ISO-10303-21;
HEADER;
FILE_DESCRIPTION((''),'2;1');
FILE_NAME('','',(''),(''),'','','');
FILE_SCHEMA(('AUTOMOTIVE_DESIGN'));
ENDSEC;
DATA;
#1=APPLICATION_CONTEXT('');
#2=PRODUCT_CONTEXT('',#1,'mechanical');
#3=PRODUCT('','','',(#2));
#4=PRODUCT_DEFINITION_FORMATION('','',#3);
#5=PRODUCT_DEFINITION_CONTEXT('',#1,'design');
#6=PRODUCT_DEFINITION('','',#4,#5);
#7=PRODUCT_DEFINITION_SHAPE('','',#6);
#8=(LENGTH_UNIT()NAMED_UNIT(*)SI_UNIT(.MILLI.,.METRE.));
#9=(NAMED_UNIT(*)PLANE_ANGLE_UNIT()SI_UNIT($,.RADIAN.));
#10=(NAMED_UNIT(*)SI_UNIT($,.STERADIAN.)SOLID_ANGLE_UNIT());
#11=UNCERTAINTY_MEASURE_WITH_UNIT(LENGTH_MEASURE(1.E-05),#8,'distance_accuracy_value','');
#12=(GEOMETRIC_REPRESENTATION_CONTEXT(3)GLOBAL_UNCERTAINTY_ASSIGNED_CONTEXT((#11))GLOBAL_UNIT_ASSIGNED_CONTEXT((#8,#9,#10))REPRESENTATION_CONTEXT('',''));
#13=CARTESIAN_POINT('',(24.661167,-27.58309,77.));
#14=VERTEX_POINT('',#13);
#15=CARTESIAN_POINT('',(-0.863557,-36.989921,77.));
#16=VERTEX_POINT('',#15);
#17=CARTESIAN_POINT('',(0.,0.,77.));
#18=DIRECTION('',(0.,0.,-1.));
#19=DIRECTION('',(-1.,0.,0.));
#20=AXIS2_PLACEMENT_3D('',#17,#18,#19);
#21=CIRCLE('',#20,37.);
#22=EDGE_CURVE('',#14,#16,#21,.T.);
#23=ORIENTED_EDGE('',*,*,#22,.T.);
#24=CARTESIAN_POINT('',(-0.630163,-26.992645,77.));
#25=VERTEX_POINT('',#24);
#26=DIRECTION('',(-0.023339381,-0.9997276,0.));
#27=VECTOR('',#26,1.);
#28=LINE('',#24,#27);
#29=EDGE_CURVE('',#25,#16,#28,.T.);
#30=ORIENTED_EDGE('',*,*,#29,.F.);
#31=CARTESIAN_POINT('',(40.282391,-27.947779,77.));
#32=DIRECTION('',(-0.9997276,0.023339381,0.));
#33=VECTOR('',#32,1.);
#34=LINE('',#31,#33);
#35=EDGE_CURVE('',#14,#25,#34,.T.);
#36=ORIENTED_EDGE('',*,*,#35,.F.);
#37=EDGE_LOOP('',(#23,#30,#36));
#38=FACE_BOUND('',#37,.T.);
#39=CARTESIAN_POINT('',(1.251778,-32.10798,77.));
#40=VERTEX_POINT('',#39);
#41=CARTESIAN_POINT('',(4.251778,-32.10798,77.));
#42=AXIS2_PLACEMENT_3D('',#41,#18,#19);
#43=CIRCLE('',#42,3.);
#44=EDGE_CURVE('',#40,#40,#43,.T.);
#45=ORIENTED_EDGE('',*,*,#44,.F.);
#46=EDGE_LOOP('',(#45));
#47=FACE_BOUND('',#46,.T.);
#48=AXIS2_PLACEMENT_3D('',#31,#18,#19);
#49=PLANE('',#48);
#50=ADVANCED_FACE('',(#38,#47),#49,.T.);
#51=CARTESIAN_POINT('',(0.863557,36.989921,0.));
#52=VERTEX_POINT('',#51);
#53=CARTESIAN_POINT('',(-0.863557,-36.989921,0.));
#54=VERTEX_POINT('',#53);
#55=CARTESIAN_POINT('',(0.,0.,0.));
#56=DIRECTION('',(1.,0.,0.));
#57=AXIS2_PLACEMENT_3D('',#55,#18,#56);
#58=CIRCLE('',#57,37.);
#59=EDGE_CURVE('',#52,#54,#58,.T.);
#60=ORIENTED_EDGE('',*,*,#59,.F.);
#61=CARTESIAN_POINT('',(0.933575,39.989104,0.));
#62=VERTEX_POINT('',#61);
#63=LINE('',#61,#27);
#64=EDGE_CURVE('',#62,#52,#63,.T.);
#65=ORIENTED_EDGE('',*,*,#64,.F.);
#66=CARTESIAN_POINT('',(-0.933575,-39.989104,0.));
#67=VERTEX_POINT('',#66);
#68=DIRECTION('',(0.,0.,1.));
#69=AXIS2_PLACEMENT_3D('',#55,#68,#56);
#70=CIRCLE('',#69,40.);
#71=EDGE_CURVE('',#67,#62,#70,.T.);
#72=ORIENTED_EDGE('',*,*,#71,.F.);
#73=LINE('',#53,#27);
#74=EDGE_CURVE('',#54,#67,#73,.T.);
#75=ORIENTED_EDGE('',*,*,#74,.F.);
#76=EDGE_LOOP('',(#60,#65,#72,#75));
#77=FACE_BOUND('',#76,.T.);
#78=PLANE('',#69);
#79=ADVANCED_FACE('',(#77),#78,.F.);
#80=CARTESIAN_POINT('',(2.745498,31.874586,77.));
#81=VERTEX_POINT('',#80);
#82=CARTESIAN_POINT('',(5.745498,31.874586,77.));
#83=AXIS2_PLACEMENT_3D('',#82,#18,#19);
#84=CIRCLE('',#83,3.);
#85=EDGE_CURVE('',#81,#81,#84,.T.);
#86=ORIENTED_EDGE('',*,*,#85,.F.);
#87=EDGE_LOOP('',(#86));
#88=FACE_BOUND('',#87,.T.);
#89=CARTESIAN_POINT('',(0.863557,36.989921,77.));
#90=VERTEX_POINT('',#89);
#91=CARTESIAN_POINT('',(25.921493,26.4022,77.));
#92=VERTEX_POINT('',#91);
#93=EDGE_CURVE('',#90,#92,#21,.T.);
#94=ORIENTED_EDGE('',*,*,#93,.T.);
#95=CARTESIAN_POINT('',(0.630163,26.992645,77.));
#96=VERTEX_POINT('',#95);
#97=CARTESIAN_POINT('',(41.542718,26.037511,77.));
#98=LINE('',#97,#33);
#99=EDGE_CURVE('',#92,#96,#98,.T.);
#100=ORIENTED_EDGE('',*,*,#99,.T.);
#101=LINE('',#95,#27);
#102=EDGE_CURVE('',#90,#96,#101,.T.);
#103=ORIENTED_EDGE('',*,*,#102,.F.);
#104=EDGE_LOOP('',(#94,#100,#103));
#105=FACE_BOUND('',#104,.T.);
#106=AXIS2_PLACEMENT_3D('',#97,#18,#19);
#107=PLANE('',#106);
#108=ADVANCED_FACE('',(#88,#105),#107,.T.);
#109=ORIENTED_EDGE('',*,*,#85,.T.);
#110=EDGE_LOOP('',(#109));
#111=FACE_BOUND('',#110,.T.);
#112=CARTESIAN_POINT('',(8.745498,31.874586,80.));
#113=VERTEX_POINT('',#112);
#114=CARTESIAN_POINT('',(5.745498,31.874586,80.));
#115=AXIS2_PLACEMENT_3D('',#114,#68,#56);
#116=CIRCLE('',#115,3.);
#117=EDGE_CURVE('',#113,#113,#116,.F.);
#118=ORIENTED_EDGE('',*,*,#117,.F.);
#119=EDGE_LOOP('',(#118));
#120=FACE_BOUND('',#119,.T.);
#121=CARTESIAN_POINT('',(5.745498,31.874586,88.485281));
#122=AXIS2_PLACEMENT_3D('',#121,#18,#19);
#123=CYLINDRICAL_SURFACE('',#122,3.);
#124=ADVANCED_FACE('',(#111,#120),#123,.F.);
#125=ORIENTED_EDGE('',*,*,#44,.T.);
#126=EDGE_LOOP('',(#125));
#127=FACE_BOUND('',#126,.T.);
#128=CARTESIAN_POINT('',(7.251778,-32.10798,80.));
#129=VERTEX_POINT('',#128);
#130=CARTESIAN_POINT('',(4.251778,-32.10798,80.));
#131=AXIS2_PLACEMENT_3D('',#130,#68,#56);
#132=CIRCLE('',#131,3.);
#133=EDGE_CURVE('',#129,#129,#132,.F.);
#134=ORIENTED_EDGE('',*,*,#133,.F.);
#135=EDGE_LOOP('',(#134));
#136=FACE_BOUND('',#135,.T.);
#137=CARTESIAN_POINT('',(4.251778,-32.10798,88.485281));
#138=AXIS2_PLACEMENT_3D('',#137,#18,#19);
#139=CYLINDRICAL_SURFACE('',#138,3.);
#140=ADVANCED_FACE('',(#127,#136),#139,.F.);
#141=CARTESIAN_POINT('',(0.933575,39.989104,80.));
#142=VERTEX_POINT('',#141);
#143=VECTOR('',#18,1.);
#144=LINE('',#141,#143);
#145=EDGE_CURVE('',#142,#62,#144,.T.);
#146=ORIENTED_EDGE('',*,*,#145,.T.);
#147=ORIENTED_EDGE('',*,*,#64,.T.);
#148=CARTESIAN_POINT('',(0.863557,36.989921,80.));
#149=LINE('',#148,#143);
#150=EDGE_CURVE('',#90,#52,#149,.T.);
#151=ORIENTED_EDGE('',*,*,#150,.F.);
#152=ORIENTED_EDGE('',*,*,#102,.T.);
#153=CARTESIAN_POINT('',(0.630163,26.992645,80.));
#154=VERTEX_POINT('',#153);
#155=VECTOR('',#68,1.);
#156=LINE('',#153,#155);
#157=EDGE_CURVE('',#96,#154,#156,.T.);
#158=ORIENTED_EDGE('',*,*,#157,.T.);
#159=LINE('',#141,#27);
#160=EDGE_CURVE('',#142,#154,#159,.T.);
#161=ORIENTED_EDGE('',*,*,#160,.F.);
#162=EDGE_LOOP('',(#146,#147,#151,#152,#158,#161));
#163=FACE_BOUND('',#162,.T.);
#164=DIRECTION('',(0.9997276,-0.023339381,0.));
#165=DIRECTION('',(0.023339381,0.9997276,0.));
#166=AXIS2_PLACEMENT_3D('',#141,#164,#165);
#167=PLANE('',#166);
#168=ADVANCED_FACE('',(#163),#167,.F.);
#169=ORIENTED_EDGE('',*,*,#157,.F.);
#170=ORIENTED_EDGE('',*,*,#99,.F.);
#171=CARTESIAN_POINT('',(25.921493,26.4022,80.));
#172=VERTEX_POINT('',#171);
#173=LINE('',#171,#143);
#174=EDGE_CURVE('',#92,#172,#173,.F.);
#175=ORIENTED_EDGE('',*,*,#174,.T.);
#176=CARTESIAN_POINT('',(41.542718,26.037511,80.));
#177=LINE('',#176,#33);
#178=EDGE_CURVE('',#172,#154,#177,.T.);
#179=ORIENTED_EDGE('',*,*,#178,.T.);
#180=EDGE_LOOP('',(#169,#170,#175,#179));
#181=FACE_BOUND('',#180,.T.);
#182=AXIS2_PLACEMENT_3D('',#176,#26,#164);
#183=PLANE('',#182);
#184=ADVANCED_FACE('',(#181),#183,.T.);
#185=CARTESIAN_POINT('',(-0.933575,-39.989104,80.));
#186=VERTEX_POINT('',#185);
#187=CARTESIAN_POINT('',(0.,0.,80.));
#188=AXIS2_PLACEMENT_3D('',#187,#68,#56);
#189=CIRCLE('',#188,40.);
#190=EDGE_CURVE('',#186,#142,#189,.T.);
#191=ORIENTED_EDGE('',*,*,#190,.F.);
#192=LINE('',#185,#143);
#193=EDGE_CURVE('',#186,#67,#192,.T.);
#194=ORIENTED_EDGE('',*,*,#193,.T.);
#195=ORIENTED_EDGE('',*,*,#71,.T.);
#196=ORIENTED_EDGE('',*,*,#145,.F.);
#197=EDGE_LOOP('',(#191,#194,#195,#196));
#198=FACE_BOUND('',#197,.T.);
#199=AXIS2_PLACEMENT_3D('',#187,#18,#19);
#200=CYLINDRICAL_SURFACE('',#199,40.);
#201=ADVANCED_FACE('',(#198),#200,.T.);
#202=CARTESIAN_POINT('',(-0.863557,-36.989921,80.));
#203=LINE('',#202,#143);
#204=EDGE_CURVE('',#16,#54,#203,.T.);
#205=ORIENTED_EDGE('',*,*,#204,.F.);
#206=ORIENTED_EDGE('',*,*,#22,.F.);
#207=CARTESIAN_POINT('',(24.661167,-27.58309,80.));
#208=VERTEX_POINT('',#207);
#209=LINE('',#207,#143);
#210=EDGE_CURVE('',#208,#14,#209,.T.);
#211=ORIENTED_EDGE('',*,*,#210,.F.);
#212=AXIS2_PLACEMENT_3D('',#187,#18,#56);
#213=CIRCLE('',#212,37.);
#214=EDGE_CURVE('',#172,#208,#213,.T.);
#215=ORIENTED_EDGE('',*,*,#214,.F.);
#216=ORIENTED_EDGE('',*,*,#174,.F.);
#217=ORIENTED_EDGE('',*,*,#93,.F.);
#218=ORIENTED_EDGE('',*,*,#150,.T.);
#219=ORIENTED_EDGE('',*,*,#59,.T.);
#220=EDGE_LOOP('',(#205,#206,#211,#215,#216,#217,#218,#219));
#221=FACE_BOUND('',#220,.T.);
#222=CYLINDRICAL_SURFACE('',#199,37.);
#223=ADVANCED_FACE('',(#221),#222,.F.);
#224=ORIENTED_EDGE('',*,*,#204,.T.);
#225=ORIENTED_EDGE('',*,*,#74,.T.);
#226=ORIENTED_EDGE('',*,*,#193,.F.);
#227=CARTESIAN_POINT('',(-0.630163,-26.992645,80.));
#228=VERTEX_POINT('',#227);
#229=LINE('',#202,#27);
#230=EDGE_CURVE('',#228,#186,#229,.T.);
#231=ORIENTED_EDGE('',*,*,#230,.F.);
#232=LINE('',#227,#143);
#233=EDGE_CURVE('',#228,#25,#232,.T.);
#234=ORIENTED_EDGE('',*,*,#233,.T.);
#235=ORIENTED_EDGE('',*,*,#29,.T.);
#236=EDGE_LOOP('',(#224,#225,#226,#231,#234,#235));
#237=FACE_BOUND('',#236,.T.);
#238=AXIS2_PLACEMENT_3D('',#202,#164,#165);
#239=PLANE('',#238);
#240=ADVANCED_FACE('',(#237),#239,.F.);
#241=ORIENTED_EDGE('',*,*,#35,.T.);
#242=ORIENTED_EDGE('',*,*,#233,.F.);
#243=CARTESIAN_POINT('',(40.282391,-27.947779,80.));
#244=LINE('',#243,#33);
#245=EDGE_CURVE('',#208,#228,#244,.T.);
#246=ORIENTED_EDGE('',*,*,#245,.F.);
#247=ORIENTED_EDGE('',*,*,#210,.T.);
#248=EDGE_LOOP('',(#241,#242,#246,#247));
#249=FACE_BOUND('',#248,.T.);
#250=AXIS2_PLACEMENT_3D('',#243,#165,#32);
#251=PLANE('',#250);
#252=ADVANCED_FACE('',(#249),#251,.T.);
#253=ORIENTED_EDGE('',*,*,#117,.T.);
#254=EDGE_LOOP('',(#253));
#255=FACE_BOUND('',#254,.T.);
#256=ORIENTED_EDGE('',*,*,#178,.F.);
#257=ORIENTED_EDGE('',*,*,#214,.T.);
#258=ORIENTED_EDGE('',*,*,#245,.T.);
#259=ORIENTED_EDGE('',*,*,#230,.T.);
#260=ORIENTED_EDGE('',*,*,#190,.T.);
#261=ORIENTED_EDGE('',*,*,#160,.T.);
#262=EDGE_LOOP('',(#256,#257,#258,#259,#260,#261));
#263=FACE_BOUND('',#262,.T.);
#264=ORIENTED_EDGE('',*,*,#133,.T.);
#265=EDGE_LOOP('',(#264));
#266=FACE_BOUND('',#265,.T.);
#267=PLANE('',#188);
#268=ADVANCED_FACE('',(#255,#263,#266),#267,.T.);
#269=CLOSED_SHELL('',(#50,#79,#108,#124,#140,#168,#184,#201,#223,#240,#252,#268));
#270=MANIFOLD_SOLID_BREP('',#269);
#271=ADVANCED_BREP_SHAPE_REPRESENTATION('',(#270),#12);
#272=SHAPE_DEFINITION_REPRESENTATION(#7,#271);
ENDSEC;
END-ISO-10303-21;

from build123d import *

# Parameters (mm, degrees)
BOSS_EXTRUDE1_DEPTH      = 80
BOSS_EXTRUDE2_REACH      = 99.98
BOSS_EXTRUDE2_END_RADIUS = 37
SKETCH4_W                = 3
SKETCH4_H                = 10
BOSS_EXTRUDE3_REACH      = 99.98
BOSS_EXTRUDE3_END_RADIUS = 37
SKETCH5_W                = 3
SKETCH5_H                = 10
SKETCH6_R                = 3
CUT_EXTRUDE1_DEPTH       = 3


with BuildPart() as part:
    # Sketch2 → Boss-Extrude1 (new body)
    with BuildSketch(Plane.XY):
        with BuildLine():
            Line((0.933575247, 39.989103982), (0.863557104, 36.989921183))
            ThreePointArc((0.863557104, 36.989921183), (36.989921183, -0.863557104), (-0.863557104, -36.989921183))
            Line((-0.863557104, -36.989921183), (-0.933575248, -39.989103982))
            ThreePointArc((-0.933575248, -39.989103982), (39.989103982, -0.933575247), (0.933575247, 39.989103982))
        make_face()
    extrude(amount=BOSS_EXTRUDE1_DEPTH)

    # Boss-Extrude2: up to this cylinder (the profile starts inside it)
    boss_extrude2_end = Plane(origin=(0, 0, 78.5), z_dir=(0, 0, -1)) * Cylinder(BOSS_EXTRUDE2_END_RADIUS, 274.96, mode=Mode.PRIVATE)
    # Sketch4 → Boss-Extrude2 (add, up to the surface)
    with BuildSketch(Plane(origin=(0, 0, 0), x_dir=(0, 0, 1), z_dir=(-0.9997275995418874, 0.02333938118750909, 0)), mode=Mode.PRIVATE) as boss_extrude2_sk1:
        with Locations((78.5, -32)):
            Rectangle(SKETCH4_W, SKETCH4_H)
    boss_extrude2_tool1 = extrude(boss_extrude2_sk1.sketch, amount=-BOSS_EXTRUDE2_REACH, mode=Mode.PRIVATE) & boss_extrude2_end
    add(boss_extrude2_tool1.solids().sort_by_distance((-0.74686, -31.991283, 78.5))[0])

    # Boss-Extrude3: up to this cylinder (the profile starts inside it)
    boss_extrude3_end = Plane(origin=(0, 0, 78.5), z_dir=(0, 0, -1)) * Cylinder(BOSS_EXTRUDE3_END_RADIUS, 274.96, mode=Mode.PRIVATE)
    # Sketch5 → Boss-Extrude3 (add, up to the surface)
    with BuildSketch(Plane(origin=(0, 0, 0), x_dir=(0, 0, 1), z_dir=(-0.9997275995418874, 0.02333938118750974, 0)), mode=Mode.PRIVATE) as boss_extrude3_sk1:
        with Locations((78.5, 32)):
            Rectangle(SKETCH5_W, SKETCH5_H)
    boss_extrude3_tool1 = extrude(boss_extrude3_sk1.sketch, amount=-BOSS_EXTRUDE3_REACH, mode=Mode.PRIVATE) & boss_extrude3_end
    add(boss_extrude3_tool1.solids().sort_by_distance((0.74686, 31.991283, 78.5))[0])

    # Sketch6 → Cut-Extrude1 (cut)
    with BuildSketch(Plane(origin=(0, 0, 77), x_dir=(-1, 0, 0), z_dir=(0, 0, -1))):
        with Locations((-5.745498196, 31.874586279)):
            Circle(SKETCH6_R)
        with Locations((-4.2517778, -32.107980091)):
            Circle(SKETCH6_R)
    extrude(amount=-CUT_EXTRUDE1_DEPTH, mode=Mode.SUBTRACT)


solid = part.part
